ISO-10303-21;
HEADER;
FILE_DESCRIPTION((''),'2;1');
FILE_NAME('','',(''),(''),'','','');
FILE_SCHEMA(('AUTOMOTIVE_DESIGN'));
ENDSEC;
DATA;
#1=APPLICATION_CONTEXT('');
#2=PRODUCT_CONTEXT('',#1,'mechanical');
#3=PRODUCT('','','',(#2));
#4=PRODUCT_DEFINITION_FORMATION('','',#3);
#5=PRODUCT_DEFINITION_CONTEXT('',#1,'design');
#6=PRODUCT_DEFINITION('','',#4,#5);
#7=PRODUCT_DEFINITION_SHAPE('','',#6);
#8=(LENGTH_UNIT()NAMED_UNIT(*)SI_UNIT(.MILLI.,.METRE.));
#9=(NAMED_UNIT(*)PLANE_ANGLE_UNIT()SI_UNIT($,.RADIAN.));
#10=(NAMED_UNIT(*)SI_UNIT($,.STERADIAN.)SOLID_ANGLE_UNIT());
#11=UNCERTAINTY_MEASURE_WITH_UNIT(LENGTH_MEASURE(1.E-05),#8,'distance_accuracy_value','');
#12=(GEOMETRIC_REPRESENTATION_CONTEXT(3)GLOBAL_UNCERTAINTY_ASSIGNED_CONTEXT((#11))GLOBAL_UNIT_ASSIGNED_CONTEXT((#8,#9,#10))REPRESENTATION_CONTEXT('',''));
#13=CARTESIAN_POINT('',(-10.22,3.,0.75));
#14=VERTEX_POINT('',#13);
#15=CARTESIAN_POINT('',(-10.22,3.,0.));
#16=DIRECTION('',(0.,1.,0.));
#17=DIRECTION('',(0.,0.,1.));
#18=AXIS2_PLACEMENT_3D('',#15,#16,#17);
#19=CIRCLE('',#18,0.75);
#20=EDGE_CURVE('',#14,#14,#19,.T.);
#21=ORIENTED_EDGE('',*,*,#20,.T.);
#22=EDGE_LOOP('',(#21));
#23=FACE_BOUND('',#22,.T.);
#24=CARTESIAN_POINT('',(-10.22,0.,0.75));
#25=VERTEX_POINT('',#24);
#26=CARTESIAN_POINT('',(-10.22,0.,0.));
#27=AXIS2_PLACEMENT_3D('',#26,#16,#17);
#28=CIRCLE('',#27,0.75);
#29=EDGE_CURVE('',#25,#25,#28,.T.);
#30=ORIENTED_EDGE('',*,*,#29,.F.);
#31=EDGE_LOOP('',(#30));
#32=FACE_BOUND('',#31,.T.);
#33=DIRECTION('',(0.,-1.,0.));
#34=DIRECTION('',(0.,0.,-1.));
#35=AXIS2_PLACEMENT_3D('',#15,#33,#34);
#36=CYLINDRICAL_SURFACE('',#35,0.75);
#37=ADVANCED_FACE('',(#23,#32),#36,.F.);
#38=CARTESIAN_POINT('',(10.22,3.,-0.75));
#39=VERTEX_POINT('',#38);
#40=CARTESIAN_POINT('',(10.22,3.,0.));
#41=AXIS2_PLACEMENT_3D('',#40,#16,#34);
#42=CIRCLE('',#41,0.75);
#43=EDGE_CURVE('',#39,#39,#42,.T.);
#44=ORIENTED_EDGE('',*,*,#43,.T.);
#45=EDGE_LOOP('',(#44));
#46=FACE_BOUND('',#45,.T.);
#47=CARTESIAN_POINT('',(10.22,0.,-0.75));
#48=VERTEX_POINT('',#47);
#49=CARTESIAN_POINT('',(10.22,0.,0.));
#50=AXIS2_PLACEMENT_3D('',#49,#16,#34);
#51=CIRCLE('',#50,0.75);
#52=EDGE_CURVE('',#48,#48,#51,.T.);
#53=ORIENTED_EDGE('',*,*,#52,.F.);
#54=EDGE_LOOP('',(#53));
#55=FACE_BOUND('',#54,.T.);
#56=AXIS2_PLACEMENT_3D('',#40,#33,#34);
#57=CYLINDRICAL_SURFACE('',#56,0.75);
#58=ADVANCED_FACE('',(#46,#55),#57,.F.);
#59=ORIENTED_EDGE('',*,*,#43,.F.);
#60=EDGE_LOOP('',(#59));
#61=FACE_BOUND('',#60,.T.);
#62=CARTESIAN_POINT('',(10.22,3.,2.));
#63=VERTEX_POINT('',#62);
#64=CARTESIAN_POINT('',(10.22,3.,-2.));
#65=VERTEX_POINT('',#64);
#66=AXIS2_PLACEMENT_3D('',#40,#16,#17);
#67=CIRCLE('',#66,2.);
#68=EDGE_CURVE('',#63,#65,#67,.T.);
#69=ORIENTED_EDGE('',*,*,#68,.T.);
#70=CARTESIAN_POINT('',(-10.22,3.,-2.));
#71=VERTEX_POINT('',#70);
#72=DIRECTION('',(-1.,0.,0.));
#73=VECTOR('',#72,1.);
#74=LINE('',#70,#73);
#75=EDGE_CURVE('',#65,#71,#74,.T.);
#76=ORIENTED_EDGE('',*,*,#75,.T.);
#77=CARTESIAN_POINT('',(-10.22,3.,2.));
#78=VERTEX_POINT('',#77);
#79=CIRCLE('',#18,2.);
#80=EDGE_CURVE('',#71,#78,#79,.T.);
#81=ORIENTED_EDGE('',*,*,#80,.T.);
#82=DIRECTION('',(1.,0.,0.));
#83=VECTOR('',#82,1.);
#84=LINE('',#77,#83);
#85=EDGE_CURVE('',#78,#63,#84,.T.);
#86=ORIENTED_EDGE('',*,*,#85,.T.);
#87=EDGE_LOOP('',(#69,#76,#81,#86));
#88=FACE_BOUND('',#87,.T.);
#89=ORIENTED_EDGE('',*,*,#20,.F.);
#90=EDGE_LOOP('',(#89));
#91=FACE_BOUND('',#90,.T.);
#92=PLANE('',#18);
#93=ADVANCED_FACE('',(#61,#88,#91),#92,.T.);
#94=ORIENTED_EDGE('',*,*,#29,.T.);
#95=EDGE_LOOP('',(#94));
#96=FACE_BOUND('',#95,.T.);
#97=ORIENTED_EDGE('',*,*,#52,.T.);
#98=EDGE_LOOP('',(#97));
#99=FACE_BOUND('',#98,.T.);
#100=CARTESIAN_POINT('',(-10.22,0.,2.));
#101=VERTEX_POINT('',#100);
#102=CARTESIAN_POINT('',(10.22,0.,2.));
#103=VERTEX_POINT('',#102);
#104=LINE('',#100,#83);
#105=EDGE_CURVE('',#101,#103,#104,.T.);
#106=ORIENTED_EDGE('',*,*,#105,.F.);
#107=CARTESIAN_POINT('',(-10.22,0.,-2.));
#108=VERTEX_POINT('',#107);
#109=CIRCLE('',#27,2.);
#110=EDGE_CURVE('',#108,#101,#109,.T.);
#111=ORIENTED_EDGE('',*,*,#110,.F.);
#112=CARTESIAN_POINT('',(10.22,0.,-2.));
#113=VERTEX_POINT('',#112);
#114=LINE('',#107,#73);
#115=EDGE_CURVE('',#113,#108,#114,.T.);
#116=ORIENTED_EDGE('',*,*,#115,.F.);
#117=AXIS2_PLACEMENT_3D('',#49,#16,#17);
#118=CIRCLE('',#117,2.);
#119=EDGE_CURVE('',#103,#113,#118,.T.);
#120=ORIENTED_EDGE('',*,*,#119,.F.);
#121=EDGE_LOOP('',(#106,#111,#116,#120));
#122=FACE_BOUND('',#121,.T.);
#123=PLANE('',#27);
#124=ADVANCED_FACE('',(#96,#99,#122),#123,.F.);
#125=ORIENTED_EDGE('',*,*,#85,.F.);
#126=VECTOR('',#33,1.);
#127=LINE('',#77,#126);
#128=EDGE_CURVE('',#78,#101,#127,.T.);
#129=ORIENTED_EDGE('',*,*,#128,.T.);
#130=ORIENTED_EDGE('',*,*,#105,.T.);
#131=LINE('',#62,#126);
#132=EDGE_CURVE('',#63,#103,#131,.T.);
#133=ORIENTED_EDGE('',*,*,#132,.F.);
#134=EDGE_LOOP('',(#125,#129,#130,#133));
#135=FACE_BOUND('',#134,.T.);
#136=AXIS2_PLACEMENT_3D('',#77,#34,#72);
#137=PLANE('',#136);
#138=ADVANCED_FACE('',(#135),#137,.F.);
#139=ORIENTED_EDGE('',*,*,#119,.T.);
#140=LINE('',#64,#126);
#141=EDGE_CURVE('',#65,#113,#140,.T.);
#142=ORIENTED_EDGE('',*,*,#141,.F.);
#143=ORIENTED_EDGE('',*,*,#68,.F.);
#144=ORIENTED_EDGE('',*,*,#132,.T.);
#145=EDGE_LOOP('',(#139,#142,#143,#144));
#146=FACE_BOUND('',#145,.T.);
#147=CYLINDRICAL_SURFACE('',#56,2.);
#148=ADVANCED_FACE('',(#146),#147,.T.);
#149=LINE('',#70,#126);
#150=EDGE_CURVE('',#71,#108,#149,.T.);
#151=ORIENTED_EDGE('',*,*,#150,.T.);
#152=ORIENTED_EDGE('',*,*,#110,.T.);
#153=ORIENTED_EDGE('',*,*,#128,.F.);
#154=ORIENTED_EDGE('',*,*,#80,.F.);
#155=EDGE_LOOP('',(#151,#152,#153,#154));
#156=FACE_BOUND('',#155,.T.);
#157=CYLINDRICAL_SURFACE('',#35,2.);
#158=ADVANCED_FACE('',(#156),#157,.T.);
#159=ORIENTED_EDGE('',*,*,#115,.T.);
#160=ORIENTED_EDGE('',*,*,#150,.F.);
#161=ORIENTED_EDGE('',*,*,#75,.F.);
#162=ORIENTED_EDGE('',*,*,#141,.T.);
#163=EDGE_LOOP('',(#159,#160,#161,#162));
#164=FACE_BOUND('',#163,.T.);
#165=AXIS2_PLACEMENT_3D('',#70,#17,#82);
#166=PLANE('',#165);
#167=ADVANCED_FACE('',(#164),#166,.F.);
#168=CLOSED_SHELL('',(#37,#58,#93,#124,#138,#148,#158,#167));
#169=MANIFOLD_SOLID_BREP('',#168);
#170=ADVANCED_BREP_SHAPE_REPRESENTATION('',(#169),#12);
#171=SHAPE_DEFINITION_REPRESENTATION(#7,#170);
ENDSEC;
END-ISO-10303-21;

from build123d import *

# Parameters (mm, degrees)
SKETCH1_R           = 0.75
BOSS_EXTRUDE1_DEPTH = 3


with BuildPart() as part:
    # Sketch1 → Boss-Extrude1 (new body)
    with BuildSketch(Plane(origin=(0, 0, 0), x_dir=(1, 0, 0), z_dir=(0, 1, 0))):
        with BuildLine():
            Line((-10.22, 2), (10.22, 2))
            ThreePointArc((10.22, 2), (12.22, 0), (10.22, -2))
            Line((10.22, -2), (-10.22, -2))
            ThreePointArc((-10.22, -2), (-12.22, 0), (-10.22, 2))
        make_face()
        with Locations(Location((-10.22, 0, 0), (0, 0, 270))):
            Circle(SKETCH1_R, mode=Mode.SUBTRACT)
        with Locations(Location((10.22, 0, 0), (0, 0, 90))):
            Circle(SKETCH1_R, mode=Mode.SUBTRACT)
    extrude(amount=BOSS_EXTRUDE1_DEPTH)


solid = part.part
